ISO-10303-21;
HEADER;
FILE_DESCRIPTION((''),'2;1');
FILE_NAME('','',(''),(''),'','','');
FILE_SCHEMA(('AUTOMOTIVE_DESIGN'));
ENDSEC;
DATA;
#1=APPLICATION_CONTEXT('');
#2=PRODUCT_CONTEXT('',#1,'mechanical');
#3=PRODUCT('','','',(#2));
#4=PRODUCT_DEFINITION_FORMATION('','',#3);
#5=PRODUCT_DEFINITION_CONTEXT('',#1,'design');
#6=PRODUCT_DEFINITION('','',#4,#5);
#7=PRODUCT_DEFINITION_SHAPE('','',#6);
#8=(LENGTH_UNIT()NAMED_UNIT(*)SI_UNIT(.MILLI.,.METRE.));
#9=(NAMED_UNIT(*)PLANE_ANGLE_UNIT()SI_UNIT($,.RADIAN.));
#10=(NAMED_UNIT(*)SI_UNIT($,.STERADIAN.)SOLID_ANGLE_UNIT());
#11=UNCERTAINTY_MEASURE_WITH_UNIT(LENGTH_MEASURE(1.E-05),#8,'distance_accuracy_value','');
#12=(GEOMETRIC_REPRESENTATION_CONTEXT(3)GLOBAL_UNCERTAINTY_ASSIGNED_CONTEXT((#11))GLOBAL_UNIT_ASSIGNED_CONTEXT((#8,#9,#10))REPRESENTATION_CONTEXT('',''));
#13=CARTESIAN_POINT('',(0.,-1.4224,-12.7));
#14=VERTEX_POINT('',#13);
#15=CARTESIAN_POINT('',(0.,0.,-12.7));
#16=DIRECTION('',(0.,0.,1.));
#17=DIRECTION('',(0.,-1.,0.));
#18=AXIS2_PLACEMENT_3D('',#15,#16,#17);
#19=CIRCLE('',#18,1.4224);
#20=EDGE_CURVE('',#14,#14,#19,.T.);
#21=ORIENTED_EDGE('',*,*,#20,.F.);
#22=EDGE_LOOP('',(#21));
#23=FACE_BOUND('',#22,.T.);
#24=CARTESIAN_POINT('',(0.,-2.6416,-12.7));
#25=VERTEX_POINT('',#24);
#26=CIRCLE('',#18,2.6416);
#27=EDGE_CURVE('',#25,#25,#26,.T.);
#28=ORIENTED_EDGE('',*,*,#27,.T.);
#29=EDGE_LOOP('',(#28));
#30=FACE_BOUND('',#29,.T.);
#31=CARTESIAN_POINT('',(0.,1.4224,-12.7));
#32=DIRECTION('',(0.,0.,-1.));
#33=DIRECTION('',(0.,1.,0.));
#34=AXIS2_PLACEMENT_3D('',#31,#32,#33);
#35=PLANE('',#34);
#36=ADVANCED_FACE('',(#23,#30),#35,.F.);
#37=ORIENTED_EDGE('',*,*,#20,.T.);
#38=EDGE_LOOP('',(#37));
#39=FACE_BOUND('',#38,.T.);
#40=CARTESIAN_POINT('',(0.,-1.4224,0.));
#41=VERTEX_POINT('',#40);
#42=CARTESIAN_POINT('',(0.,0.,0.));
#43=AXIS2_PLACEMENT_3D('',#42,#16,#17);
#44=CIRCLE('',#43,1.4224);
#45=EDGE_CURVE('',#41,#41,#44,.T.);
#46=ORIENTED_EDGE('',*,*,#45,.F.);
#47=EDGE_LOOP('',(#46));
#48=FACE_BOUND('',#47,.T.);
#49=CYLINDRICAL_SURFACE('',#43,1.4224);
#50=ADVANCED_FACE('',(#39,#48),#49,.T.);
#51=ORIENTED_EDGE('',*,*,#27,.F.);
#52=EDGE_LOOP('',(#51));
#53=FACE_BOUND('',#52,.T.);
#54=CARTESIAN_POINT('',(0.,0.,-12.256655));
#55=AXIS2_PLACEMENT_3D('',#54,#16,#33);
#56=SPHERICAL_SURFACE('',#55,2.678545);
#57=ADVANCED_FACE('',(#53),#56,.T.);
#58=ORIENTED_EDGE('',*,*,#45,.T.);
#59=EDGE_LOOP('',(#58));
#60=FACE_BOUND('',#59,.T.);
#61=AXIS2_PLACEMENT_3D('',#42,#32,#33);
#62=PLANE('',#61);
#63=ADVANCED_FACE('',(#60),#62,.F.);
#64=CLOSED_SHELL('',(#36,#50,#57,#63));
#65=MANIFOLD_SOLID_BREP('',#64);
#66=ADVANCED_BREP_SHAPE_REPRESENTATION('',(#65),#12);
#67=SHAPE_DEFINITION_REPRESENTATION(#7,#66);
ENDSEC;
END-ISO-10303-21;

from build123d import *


with BuildPart() as part:
    # Sketch2 → Revolve1 (revolve)
    with BuildSketch(Plane(origin=(0, 0, 0), x_dir=(0, 0, -1), z_dir=(1, 0, 0))):
        with BuildLine():
            Line((0, 0), (0, 1.4224))
            Line((0, 1.4224), (12.7, 1.4224))
            Line((12.7, 1.4224), (12.7, 2.6416))
            ThreePointArc((12.7, 2.6416), (14.30141941, 1.730185655), (14.9352, 0))
            Line((14.9352, 0), (0, 0))
        make_face()
    revolve(axis=Axis((0, 0, 0), (0, 0, -1)))


solid = part.part
